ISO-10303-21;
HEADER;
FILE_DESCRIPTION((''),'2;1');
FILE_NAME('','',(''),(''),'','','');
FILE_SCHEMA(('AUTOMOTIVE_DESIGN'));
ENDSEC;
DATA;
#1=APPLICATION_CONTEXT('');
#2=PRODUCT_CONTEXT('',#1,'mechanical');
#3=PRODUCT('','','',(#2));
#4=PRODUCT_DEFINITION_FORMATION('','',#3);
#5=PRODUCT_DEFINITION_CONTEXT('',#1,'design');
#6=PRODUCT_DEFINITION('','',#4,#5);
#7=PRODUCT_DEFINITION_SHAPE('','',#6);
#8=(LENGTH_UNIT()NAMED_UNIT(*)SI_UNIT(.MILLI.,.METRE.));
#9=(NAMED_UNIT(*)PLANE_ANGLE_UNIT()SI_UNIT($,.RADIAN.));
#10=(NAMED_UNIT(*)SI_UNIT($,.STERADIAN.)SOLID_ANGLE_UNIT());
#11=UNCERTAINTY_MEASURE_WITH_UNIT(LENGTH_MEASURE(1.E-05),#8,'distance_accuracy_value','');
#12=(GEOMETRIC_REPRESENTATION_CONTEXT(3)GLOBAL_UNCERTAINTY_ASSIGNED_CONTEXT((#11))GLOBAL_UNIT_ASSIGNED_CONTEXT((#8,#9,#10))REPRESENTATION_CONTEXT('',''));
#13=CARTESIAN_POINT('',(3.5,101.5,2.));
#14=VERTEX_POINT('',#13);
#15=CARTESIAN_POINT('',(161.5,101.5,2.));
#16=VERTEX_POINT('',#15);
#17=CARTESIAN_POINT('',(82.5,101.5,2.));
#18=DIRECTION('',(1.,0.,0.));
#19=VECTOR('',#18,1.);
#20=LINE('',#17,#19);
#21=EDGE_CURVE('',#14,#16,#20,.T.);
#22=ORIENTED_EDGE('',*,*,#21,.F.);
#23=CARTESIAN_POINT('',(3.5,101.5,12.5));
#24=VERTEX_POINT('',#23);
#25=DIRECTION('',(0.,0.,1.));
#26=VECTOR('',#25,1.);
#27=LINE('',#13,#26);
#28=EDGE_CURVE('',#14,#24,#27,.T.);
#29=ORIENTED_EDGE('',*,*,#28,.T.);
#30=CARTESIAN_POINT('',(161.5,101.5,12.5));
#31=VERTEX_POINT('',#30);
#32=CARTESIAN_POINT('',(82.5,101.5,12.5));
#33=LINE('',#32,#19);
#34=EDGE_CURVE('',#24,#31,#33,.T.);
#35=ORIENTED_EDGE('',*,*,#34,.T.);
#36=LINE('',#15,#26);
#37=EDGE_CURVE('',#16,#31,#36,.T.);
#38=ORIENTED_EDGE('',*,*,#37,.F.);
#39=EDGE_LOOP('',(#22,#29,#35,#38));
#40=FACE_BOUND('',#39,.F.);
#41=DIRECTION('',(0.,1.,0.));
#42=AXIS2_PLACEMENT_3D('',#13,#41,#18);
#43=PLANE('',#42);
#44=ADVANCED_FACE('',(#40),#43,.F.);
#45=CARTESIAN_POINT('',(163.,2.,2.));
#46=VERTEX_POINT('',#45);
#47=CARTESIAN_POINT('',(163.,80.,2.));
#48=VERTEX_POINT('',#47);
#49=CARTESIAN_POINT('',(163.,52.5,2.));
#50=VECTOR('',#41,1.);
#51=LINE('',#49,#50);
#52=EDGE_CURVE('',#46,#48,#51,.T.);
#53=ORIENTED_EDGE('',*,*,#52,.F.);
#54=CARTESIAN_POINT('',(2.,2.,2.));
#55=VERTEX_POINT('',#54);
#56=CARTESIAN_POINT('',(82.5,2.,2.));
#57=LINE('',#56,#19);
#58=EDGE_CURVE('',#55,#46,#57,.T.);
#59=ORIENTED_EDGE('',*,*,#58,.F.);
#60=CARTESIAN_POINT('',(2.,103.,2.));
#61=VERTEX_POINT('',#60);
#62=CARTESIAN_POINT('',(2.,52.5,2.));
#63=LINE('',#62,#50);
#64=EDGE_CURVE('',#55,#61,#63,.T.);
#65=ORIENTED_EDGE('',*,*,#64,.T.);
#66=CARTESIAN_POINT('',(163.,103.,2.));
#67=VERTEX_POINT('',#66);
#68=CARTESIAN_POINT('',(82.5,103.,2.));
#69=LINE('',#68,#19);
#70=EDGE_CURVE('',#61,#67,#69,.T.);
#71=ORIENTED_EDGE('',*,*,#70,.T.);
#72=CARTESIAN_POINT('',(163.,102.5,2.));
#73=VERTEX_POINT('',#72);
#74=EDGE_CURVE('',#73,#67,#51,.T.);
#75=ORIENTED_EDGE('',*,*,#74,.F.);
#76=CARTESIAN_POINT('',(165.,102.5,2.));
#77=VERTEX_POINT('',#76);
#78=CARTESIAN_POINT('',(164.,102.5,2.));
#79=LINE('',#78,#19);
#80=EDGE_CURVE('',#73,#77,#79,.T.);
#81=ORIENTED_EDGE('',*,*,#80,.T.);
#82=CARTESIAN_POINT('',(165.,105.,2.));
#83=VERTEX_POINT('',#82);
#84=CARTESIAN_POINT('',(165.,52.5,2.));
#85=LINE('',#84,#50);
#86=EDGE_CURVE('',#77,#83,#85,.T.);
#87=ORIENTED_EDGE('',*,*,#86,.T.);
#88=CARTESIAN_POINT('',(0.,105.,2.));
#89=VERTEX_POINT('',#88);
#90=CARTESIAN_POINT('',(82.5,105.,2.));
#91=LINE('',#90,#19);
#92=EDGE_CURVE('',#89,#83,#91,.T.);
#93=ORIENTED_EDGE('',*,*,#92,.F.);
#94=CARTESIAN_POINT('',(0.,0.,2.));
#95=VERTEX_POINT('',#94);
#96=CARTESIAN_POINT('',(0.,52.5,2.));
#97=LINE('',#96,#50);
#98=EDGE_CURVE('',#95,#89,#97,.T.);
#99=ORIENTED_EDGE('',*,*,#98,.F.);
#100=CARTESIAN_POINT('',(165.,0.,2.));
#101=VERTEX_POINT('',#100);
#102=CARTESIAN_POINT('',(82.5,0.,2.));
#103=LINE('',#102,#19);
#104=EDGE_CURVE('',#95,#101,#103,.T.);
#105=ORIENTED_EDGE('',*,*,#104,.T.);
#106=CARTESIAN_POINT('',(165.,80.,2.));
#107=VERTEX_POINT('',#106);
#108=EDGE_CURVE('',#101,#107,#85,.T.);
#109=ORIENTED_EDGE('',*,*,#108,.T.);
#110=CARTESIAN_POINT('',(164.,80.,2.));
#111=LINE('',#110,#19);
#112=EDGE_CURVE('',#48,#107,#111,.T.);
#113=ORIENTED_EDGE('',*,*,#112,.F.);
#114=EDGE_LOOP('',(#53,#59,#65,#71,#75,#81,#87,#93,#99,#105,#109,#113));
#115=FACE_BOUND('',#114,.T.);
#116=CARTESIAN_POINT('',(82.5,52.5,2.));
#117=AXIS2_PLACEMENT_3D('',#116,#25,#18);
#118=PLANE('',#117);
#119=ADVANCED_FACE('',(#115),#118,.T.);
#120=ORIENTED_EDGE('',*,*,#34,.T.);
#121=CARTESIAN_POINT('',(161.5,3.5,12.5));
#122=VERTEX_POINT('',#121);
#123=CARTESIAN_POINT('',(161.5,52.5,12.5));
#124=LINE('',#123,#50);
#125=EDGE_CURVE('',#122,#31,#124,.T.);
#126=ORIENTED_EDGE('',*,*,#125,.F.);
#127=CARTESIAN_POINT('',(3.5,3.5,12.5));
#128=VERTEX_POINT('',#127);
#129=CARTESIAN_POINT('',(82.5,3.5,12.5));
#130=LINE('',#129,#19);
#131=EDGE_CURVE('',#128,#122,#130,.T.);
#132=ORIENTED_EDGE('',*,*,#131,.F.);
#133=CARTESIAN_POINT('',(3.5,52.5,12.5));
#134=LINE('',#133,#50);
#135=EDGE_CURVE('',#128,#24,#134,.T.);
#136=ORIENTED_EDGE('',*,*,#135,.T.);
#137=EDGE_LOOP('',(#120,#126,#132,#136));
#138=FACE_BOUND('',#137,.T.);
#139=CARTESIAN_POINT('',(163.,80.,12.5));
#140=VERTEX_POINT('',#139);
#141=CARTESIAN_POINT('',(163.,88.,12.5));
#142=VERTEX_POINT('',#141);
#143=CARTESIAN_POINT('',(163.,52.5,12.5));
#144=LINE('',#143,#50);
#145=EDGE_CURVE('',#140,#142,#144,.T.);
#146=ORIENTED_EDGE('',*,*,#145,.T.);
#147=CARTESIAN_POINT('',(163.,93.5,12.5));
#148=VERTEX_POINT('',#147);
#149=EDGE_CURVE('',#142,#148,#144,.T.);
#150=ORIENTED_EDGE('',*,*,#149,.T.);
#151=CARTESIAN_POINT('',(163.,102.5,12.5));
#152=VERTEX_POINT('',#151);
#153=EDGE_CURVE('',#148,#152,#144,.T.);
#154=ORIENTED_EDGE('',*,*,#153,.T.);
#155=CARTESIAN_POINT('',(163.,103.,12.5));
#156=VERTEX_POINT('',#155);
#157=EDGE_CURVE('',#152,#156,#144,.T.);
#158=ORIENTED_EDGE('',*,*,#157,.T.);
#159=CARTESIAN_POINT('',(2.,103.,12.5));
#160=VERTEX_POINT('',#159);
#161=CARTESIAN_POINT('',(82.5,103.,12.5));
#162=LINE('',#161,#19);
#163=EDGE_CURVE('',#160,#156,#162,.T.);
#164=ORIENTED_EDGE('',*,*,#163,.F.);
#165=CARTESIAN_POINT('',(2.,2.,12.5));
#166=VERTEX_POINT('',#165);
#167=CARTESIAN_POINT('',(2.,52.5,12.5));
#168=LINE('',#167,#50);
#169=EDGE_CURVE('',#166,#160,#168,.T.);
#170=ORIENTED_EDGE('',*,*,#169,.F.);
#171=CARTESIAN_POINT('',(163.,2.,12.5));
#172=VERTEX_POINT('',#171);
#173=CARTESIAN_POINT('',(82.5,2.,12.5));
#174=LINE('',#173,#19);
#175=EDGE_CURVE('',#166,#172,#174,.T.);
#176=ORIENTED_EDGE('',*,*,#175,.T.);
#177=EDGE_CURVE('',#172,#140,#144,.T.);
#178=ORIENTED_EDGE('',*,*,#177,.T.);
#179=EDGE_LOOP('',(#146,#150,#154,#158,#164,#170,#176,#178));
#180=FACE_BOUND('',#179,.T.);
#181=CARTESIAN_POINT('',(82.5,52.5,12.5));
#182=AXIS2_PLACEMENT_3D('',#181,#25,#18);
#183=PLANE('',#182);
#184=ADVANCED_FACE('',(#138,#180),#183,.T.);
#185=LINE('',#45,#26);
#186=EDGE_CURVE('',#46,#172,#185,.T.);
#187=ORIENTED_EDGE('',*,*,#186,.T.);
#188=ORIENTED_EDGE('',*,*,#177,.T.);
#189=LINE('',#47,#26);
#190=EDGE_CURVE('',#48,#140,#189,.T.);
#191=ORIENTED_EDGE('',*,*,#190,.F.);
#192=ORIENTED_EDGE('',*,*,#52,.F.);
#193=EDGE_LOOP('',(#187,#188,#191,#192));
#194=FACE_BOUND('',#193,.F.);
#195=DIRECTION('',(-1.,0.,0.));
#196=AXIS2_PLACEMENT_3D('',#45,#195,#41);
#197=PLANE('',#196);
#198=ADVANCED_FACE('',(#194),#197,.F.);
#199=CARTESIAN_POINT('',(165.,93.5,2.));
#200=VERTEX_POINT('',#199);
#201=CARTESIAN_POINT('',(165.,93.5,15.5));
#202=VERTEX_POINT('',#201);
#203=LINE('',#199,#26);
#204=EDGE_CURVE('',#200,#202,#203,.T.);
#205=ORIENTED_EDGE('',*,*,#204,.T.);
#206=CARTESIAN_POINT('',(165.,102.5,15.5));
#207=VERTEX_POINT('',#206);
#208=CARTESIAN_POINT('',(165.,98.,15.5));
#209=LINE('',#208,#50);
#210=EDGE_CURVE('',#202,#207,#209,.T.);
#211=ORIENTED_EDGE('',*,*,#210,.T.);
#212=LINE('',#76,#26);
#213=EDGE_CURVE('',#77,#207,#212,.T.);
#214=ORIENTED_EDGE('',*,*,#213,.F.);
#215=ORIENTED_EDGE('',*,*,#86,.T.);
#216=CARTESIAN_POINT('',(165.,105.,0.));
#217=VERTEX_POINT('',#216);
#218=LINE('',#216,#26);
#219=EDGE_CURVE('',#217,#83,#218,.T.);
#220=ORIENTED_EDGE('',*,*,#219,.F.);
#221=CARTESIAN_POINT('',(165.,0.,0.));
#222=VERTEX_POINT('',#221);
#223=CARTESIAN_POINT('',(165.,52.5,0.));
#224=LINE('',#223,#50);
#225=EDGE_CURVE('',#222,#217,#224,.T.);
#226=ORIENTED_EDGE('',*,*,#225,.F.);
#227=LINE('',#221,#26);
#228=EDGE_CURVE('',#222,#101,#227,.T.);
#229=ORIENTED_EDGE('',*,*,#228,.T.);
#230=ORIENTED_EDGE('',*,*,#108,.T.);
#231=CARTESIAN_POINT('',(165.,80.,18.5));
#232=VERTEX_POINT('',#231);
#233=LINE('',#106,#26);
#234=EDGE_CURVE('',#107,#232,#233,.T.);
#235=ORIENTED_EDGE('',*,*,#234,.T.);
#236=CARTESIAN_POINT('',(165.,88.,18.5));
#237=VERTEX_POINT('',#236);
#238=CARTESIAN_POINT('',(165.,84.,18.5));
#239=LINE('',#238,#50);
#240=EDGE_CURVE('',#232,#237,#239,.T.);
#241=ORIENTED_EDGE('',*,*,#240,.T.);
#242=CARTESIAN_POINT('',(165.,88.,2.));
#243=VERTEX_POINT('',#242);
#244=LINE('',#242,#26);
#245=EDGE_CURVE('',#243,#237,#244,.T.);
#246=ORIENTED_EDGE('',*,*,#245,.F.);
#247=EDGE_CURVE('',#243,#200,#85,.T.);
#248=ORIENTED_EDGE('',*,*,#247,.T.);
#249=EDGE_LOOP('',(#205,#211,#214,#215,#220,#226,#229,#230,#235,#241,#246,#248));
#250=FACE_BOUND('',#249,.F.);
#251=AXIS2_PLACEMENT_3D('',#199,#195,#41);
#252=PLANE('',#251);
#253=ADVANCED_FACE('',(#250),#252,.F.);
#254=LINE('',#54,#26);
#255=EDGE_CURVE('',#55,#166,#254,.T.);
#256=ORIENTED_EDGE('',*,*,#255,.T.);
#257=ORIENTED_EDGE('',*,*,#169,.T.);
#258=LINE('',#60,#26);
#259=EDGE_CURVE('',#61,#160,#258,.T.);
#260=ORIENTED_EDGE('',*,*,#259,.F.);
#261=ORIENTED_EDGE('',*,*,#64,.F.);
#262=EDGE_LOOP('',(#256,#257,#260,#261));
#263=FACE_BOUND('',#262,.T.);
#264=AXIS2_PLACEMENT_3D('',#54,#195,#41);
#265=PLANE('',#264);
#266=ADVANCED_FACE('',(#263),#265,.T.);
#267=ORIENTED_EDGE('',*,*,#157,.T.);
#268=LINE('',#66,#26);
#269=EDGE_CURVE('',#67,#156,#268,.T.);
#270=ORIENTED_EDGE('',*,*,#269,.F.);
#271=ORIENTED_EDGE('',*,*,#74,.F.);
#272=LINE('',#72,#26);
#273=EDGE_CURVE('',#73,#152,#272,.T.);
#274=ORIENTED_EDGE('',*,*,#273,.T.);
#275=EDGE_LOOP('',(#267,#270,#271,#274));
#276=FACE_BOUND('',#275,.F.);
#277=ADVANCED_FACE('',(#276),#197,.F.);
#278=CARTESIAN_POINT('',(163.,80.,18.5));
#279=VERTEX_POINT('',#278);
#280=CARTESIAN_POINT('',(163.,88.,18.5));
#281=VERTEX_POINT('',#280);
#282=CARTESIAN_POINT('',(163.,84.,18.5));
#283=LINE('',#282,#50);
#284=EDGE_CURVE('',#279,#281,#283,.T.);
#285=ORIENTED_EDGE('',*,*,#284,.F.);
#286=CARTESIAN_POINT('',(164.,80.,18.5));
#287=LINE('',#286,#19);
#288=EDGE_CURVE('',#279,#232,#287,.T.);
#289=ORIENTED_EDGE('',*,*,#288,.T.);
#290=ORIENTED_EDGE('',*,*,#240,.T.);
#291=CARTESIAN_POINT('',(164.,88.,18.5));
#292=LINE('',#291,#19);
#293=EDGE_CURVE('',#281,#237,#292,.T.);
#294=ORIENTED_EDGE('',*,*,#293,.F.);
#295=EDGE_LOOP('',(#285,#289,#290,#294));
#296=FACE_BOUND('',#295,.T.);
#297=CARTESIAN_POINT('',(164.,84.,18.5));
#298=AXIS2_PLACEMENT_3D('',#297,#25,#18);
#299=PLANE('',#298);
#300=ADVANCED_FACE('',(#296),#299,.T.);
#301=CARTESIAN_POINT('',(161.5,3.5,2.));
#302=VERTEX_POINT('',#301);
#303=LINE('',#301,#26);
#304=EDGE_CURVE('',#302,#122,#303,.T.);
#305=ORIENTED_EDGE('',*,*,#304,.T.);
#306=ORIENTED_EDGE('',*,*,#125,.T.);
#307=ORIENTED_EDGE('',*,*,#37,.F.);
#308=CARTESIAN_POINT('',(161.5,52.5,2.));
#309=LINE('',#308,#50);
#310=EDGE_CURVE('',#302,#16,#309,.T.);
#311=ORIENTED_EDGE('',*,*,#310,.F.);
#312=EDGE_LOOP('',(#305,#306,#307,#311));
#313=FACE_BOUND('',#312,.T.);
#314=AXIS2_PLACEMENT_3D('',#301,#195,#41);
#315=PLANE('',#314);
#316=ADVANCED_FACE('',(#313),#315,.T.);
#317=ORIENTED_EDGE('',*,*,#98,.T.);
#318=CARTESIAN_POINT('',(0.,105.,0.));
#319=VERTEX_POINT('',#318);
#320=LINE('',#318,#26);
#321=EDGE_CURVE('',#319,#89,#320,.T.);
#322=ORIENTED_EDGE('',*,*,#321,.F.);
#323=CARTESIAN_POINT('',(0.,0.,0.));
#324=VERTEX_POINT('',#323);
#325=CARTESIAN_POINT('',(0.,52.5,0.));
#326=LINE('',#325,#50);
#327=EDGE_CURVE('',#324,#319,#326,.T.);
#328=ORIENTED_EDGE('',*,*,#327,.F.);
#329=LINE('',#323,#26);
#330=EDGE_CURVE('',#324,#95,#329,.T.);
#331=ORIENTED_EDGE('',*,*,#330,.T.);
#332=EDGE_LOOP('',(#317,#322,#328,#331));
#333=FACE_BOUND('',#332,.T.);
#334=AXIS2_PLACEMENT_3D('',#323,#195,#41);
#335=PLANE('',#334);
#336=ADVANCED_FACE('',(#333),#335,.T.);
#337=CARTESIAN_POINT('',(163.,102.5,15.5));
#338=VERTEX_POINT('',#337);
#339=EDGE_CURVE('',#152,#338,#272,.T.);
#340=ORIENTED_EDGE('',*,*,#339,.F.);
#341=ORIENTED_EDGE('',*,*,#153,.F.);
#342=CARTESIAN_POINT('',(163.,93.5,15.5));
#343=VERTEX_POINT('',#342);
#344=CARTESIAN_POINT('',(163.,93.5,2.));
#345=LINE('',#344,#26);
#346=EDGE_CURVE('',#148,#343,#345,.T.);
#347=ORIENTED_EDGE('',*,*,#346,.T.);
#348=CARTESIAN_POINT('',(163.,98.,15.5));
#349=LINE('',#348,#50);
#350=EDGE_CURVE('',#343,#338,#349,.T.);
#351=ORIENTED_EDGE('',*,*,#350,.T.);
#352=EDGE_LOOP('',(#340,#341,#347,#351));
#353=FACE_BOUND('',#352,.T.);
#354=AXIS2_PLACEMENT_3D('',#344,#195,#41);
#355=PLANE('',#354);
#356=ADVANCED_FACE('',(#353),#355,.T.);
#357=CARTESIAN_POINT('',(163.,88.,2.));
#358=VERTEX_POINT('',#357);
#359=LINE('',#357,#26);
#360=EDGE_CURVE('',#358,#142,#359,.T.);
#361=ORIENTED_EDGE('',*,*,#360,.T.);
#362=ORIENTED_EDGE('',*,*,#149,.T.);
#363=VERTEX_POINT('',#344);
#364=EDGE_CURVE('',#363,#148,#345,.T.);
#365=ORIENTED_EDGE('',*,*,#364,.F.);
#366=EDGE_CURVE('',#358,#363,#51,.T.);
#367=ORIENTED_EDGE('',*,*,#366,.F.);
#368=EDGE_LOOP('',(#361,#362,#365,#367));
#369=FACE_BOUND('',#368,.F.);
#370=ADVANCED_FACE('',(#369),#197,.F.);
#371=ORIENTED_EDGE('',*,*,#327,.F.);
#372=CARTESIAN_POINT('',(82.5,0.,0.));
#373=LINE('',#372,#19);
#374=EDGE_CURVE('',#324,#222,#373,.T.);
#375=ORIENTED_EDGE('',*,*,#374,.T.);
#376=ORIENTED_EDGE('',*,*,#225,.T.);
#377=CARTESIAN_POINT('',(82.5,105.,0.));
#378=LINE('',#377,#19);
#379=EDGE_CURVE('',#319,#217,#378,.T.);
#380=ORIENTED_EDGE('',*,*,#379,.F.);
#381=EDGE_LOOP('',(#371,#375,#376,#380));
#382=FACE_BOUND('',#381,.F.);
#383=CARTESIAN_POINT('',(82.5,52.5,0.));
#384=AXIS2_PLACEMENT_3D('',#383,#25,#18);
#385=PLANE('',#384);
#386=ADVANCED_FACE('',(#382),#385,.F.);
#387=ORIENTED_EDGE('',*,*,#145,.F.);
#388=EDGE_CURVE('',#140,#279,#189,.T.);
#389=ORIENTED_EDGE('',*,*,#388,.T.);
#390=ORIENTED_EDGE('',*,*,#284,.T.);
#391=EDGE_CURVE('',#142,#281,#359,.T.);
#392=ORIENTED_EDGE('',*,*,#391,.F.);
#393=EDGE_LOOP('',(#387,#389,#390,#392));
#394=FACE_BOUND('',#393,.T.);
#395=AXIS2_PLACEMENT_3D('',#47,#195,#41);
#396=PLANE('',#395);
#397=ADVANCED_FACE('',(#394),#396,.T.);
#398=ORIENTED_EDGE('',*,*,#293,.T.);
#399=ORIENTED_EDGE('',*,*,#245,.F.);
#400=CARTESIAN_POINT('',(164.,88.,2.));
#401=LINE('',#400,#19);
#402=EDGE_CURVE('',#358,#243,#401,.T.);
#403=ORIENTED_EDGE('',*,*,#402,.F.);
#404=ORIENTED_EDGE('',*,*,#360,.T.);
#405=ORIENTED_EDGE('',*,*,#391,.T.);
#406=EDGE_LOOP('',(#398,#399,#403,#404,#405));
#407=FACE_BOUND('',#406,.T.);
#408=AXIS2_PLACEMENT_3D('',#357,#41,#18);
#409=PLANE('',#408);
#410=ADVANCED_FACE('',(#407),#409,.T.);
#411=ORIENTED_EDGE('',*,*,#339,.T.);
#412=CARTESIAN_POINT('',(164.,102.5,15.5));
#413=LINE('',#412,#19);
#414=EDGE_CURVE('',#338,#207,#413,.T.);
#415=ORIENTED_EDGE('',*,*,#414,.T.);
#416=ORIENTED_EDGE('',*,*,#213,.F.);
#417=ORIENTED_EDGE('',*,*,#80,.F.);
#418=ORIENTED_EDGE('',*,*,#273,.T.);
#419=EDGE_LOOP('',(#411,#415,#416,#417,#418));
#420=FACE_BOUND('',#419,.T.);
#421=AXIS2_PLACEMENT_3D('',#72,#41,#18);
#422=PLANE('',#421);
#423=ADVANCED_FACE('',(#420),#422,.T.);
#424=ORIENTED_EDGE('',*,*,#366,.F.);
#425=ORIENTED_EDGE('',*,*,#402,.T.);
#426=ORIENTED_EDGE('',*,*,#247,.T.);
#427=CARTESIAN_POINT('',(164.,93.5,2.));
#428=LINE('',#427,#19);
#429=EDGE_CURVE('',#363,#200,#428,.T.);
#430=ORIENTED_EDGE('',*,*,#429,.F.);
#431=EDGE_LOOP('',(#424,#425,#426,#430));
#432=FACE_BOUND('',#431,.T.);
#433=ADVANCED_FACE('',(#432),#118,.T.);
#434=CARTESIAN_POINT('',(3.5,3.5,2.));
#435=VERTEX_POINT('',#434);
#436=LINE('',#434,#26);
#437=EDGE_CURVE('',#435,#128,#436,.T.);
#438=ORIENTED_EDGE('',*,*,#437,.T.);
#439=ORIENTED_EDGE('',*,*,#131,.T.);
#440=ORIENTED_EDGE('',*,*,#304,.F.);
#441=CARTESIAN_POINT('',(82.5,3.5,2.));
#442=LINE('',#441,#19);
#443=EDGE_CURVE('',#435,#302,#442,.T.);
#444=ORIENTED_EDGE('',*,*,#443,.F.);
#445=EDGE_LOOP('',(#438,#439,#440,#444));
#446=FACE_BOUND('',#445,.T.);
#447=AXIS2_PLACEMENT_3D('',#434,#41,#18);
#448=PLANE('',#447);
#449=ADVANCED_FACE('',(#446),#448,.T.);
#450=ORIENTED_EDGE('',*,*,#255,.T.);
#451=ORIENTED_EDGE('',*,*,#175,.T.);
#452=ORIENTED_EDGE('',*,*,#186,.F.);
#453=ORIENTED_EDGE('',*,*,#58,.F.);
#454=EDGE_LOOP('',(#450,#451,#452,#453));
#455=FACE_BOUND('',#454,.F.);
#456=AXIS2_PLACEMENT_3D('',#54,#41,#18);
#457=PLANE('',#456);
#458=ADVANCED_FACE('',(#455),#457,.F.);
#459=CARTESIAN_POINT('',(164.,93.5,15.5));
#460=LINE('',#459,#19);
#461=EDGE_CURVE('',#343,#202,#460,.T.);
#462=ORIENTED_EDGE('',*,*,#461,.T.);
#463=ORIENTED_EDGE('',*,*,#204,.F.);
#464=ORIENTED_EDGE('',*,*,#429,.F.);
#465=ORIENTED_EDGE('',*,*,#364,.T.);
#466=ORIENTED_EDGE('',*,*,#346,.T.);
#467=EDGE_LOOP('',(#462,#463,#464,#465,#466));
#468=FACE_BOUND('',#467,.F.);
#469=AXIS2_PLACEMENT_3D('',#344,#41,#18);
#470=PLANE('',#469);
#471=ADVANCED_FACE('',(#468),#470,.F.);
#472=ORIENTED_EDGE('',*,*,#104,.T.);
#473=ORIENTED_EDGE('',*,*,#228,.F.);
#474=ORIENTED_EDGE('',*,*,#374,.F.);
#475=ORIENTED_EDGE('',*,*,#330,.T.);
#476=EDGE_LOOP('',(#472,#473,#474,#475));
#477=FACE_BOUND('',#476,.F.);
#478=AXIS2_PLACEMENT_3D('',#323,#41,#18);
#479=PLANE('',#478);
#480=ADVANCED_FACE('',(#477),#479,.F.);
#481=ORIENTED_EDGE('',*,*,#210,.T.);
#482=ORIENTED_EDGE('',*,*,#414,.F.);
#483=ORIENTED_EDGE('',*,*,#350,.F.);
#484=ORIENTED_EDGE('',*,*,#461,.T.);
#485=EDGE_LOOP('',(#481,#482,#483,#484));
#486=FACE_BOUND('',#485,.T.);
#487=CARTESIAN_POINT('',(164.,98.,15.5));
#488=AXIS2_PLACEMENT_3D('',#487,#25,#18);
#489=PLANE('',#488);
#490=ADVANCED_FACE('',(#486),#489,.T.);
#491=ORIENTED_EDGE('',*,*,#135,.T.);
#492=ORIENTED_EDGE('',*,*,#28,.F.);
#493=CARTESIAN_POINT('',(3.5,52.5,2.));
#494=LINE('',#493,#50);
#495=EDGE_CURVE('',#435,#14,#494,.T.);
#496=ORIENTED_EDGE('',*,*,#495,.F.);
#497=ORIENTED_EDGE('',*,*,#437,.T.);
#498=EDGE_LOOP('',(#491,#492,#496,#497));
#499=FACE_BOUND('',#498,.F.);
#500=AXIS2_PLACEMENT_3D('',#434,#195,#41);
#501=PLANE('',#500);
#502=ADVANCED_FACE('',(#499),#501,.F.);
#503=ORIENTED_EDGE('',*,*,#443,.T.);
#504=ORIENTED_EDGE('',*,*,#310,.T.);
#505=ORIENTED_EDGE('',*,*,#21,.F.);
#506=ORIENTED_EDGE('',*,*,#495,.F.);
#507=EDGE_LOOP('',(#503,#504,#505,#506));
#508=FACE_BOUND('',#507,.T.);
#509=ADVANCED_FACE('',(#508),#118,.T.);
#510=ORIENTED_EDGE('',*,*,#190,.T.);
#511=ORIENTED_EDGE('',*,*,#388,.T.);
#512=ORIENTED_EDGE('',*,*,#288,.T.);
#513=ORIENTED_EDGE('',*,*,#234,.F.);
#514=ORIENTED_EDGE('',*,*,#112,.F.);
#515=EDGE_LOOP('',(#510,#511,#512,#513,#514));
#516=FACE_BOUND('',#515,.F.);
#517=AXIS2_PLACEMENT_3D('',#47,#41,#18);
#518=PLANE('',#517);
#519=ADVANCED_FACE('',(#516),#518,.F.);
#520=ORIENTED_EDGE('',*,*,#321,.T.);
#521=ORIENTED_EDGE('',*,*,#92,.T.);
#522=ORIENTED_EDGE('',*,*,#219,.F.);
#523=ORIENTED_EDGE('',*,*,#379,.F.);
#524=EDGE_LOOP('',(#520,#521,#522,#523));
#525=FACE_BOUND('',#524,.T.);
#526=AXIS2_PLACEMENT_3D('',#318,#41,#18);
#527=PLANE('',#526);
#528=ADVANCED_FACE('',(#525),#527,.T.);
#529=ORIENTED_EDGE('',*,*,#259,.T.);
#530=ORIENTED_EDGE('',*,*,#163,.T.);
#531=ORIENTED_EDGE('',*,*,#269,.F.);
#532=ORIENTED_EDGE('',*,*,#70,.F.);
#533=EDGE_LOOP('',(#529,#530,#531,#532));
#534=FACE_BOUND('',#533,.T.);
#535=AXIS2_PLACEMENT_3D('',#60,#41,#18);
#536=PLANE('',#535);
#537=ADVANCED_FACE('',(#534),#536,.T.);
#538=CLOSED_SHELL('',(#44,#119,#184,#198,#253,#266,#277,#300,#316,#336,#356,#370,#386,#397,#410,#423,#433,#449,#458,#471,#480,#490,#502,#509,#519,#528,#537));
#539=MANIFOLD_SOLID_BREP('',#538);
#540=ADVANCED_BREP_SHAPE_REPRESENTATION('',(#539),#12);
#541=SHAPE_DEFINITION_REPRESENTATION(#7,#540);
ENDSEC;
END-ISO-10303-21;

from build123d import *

# Parameters (mm, degrees)
SKETCH_W      = 165
SKETCH_H      = 105
PAD_DEPTH     = 2
SKETCH001_W   = 161
SKETCH001_H   = 101
SKETCH001_W_2 = 158
SKETCH001_H_2 = 98
PAD001_DEPTH  = 10.5
SKETCH002_W   = 2
SKETCH002_H   = 8
PAD002_DEPTH  = 16.5
SKETCH003_W   = 2
SKETCH003_H   = 9
PAD003_DEPTH  = 13.5


with BuildPart() as part:
    # Sketch → Pad (new body)
    with BuildSketch(Plane.XY):
        with Locations((82.5, 52.5)):
            Rectangle(SKETCH_W, SKETCH_H)
    extrude(amount=PAD_DEPTH)

    # Sketch001 → Pad001 (new body)
    with BuildSketch(Plane.XY.offset(2)):
        with Locations((82.5, 52.5)):
            Rectangle(SKETCH001_W, SKETCH001_H)
        with Locations((82.5, 52.5)):
            Rectangle(SKETCH001_W_2, SKETCH001_H_2, mode=Mode.SUBTRACT)
    extrude(amount=PAD001_DEPTH)

    # Sketch002 → Pad002 (new body)
    with BuildSketch(Plane.XY.offset(2)):
        with Locations((164, 84)):
            Rectangle(SKETCH002_W, SKETCH002_H)
    extrude(amount=PAD002_DEPTH)

    # Sketch003 → Pad003 (new body)
    with BuildSketch(Plane.XY.offset(2)):
        with Locations((164, 98)):
            Rectangle(SKETCH003_W, SKETCH003_H)
    extrude(amount=PAD003_DEPTH)


solid = part.part
